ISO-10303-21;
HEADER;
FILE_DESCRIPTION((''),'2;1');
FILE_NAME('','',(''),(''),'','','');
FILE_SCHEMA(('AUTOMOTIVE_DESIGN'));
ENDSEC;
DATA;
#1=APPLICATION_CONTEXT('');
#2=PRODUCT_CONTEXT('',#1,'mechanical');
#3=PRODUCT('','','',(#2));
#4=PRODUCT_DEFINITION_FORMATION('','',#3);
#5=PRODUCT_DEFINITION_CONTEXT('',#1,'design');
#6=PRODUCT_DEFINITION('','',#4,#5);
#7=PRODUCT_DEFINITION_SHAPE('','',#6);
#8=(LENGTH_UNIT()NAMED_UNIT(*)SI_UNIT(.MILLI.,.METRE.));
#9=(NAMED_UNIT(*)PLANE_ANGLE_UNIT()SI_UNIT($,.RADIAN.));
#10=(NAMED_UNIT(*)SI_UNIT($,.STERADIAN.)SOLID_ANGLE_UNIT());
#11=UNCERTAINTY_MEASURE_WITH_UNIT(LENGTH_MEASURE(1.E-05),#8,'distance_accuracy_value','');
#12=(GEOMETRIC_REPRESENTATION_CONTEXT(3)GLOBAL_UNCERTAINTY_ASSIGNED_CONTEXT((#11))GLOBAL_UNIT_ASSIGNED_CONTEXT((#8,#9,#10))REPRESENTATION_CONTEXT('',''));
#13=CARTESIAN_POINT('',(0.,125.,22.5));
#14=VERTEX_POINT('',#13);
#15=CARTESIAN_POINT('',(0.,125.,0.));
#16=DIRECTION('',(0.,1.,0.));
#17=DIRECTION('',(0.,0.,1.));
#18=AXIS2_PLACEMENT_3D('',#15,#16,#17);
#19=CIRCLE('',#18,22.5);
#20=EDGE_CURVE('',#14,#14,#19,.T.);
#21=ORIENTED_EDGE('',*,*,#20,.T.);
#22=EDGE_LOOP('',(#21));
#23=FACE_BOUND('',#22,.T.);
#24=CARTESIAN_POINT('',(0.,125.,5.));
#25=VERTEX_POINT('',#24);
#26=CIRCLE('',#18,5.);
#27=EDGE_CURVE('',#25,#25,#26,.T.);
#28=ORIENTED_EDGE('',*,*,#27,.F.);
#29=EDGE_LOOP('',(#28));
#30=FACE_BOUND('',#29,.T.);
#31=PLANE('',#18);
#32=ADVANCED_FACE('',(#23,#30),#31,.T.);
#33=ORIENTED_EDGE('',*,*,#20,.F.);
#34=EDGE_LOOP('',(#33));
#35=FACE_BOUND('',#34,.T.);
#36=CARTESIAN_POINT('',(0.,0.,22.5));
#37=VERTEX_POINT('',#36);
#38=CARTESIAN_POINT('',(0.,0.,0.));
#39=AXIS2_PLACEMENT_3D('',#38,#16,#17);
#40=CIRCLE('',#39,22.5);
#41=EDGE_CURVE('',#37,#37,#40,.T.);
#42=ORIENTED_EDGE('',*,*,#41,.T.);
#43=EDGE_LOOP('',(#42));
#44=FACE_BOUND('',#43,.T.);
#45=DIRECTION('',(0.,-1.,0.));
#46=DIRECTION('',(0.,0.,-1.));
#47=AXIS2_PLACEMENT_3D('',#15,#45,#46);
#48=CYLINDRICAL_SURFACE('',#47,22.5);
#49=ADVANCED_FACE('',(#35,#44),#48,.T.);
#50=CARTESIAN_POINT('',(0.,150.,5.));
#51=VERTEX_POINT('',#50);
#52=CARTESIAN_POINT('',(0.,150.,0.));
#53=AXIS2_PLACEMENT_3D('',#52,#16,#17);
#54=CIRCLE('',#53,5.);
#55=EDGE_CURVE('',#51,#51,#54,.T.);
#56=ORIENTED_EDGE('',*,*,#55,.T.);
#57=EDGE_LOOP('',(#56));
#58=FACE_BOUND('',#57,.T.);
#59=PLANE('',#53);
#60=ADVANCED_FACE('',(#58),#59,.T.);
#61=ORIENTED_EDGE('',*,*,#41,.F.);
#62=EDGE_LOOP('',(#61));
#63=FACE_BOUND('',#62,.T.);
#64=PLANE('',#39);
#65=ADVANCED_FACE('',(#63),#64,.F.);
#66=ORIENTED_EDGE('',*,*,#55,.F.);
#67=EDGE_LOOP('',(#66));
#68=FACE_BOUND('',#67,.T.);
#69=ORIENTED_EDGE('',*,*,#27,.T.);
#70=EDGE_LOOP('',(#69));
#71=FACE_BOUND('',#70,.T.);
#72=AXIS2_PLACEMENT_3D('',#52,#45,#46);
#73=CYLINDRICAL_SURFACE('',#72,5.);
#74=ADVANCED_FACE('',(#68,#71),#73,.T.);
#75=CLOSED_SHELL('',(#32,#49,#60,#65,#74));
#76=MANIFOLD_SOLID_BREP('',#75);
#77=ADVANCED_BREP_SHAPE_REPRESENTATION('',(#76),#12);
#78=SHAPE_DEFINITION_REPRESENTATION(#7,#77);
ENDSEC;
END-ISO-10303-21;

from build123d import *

# Parameters (mm, degrees)
SKETCH1_R           = 22.5
BOSS_EXTRUDE1_DEPTH = 125
SKETCH2_R           = 5
BOSS_EXTRUDE2_DEPTH = 25


with BuildPart() as part:
    # Sketch1 → Boss-Extrude1 (new body)
    with BuildSketch(Plane(origin=(0, 0, 0), x_dir=(1, 0, 0), z_dir=(0, 1, 0))):
        Circle(SKETCH1_R)
    extrude(amount=BOSS_EXTRUDE1_DEPTH)

    # Sketch2 → Boss-Extrude2 (add)
    with BuildSketch(Plane(origin=(0, 125, 0), x_dir=(1, 0, 0), z_dir=(0, 1, 0))):
        Circle(SKETCH2_R)
    extrude(amount=BOSS_EXTRUDE2_DEPTH)


solid = part.part
